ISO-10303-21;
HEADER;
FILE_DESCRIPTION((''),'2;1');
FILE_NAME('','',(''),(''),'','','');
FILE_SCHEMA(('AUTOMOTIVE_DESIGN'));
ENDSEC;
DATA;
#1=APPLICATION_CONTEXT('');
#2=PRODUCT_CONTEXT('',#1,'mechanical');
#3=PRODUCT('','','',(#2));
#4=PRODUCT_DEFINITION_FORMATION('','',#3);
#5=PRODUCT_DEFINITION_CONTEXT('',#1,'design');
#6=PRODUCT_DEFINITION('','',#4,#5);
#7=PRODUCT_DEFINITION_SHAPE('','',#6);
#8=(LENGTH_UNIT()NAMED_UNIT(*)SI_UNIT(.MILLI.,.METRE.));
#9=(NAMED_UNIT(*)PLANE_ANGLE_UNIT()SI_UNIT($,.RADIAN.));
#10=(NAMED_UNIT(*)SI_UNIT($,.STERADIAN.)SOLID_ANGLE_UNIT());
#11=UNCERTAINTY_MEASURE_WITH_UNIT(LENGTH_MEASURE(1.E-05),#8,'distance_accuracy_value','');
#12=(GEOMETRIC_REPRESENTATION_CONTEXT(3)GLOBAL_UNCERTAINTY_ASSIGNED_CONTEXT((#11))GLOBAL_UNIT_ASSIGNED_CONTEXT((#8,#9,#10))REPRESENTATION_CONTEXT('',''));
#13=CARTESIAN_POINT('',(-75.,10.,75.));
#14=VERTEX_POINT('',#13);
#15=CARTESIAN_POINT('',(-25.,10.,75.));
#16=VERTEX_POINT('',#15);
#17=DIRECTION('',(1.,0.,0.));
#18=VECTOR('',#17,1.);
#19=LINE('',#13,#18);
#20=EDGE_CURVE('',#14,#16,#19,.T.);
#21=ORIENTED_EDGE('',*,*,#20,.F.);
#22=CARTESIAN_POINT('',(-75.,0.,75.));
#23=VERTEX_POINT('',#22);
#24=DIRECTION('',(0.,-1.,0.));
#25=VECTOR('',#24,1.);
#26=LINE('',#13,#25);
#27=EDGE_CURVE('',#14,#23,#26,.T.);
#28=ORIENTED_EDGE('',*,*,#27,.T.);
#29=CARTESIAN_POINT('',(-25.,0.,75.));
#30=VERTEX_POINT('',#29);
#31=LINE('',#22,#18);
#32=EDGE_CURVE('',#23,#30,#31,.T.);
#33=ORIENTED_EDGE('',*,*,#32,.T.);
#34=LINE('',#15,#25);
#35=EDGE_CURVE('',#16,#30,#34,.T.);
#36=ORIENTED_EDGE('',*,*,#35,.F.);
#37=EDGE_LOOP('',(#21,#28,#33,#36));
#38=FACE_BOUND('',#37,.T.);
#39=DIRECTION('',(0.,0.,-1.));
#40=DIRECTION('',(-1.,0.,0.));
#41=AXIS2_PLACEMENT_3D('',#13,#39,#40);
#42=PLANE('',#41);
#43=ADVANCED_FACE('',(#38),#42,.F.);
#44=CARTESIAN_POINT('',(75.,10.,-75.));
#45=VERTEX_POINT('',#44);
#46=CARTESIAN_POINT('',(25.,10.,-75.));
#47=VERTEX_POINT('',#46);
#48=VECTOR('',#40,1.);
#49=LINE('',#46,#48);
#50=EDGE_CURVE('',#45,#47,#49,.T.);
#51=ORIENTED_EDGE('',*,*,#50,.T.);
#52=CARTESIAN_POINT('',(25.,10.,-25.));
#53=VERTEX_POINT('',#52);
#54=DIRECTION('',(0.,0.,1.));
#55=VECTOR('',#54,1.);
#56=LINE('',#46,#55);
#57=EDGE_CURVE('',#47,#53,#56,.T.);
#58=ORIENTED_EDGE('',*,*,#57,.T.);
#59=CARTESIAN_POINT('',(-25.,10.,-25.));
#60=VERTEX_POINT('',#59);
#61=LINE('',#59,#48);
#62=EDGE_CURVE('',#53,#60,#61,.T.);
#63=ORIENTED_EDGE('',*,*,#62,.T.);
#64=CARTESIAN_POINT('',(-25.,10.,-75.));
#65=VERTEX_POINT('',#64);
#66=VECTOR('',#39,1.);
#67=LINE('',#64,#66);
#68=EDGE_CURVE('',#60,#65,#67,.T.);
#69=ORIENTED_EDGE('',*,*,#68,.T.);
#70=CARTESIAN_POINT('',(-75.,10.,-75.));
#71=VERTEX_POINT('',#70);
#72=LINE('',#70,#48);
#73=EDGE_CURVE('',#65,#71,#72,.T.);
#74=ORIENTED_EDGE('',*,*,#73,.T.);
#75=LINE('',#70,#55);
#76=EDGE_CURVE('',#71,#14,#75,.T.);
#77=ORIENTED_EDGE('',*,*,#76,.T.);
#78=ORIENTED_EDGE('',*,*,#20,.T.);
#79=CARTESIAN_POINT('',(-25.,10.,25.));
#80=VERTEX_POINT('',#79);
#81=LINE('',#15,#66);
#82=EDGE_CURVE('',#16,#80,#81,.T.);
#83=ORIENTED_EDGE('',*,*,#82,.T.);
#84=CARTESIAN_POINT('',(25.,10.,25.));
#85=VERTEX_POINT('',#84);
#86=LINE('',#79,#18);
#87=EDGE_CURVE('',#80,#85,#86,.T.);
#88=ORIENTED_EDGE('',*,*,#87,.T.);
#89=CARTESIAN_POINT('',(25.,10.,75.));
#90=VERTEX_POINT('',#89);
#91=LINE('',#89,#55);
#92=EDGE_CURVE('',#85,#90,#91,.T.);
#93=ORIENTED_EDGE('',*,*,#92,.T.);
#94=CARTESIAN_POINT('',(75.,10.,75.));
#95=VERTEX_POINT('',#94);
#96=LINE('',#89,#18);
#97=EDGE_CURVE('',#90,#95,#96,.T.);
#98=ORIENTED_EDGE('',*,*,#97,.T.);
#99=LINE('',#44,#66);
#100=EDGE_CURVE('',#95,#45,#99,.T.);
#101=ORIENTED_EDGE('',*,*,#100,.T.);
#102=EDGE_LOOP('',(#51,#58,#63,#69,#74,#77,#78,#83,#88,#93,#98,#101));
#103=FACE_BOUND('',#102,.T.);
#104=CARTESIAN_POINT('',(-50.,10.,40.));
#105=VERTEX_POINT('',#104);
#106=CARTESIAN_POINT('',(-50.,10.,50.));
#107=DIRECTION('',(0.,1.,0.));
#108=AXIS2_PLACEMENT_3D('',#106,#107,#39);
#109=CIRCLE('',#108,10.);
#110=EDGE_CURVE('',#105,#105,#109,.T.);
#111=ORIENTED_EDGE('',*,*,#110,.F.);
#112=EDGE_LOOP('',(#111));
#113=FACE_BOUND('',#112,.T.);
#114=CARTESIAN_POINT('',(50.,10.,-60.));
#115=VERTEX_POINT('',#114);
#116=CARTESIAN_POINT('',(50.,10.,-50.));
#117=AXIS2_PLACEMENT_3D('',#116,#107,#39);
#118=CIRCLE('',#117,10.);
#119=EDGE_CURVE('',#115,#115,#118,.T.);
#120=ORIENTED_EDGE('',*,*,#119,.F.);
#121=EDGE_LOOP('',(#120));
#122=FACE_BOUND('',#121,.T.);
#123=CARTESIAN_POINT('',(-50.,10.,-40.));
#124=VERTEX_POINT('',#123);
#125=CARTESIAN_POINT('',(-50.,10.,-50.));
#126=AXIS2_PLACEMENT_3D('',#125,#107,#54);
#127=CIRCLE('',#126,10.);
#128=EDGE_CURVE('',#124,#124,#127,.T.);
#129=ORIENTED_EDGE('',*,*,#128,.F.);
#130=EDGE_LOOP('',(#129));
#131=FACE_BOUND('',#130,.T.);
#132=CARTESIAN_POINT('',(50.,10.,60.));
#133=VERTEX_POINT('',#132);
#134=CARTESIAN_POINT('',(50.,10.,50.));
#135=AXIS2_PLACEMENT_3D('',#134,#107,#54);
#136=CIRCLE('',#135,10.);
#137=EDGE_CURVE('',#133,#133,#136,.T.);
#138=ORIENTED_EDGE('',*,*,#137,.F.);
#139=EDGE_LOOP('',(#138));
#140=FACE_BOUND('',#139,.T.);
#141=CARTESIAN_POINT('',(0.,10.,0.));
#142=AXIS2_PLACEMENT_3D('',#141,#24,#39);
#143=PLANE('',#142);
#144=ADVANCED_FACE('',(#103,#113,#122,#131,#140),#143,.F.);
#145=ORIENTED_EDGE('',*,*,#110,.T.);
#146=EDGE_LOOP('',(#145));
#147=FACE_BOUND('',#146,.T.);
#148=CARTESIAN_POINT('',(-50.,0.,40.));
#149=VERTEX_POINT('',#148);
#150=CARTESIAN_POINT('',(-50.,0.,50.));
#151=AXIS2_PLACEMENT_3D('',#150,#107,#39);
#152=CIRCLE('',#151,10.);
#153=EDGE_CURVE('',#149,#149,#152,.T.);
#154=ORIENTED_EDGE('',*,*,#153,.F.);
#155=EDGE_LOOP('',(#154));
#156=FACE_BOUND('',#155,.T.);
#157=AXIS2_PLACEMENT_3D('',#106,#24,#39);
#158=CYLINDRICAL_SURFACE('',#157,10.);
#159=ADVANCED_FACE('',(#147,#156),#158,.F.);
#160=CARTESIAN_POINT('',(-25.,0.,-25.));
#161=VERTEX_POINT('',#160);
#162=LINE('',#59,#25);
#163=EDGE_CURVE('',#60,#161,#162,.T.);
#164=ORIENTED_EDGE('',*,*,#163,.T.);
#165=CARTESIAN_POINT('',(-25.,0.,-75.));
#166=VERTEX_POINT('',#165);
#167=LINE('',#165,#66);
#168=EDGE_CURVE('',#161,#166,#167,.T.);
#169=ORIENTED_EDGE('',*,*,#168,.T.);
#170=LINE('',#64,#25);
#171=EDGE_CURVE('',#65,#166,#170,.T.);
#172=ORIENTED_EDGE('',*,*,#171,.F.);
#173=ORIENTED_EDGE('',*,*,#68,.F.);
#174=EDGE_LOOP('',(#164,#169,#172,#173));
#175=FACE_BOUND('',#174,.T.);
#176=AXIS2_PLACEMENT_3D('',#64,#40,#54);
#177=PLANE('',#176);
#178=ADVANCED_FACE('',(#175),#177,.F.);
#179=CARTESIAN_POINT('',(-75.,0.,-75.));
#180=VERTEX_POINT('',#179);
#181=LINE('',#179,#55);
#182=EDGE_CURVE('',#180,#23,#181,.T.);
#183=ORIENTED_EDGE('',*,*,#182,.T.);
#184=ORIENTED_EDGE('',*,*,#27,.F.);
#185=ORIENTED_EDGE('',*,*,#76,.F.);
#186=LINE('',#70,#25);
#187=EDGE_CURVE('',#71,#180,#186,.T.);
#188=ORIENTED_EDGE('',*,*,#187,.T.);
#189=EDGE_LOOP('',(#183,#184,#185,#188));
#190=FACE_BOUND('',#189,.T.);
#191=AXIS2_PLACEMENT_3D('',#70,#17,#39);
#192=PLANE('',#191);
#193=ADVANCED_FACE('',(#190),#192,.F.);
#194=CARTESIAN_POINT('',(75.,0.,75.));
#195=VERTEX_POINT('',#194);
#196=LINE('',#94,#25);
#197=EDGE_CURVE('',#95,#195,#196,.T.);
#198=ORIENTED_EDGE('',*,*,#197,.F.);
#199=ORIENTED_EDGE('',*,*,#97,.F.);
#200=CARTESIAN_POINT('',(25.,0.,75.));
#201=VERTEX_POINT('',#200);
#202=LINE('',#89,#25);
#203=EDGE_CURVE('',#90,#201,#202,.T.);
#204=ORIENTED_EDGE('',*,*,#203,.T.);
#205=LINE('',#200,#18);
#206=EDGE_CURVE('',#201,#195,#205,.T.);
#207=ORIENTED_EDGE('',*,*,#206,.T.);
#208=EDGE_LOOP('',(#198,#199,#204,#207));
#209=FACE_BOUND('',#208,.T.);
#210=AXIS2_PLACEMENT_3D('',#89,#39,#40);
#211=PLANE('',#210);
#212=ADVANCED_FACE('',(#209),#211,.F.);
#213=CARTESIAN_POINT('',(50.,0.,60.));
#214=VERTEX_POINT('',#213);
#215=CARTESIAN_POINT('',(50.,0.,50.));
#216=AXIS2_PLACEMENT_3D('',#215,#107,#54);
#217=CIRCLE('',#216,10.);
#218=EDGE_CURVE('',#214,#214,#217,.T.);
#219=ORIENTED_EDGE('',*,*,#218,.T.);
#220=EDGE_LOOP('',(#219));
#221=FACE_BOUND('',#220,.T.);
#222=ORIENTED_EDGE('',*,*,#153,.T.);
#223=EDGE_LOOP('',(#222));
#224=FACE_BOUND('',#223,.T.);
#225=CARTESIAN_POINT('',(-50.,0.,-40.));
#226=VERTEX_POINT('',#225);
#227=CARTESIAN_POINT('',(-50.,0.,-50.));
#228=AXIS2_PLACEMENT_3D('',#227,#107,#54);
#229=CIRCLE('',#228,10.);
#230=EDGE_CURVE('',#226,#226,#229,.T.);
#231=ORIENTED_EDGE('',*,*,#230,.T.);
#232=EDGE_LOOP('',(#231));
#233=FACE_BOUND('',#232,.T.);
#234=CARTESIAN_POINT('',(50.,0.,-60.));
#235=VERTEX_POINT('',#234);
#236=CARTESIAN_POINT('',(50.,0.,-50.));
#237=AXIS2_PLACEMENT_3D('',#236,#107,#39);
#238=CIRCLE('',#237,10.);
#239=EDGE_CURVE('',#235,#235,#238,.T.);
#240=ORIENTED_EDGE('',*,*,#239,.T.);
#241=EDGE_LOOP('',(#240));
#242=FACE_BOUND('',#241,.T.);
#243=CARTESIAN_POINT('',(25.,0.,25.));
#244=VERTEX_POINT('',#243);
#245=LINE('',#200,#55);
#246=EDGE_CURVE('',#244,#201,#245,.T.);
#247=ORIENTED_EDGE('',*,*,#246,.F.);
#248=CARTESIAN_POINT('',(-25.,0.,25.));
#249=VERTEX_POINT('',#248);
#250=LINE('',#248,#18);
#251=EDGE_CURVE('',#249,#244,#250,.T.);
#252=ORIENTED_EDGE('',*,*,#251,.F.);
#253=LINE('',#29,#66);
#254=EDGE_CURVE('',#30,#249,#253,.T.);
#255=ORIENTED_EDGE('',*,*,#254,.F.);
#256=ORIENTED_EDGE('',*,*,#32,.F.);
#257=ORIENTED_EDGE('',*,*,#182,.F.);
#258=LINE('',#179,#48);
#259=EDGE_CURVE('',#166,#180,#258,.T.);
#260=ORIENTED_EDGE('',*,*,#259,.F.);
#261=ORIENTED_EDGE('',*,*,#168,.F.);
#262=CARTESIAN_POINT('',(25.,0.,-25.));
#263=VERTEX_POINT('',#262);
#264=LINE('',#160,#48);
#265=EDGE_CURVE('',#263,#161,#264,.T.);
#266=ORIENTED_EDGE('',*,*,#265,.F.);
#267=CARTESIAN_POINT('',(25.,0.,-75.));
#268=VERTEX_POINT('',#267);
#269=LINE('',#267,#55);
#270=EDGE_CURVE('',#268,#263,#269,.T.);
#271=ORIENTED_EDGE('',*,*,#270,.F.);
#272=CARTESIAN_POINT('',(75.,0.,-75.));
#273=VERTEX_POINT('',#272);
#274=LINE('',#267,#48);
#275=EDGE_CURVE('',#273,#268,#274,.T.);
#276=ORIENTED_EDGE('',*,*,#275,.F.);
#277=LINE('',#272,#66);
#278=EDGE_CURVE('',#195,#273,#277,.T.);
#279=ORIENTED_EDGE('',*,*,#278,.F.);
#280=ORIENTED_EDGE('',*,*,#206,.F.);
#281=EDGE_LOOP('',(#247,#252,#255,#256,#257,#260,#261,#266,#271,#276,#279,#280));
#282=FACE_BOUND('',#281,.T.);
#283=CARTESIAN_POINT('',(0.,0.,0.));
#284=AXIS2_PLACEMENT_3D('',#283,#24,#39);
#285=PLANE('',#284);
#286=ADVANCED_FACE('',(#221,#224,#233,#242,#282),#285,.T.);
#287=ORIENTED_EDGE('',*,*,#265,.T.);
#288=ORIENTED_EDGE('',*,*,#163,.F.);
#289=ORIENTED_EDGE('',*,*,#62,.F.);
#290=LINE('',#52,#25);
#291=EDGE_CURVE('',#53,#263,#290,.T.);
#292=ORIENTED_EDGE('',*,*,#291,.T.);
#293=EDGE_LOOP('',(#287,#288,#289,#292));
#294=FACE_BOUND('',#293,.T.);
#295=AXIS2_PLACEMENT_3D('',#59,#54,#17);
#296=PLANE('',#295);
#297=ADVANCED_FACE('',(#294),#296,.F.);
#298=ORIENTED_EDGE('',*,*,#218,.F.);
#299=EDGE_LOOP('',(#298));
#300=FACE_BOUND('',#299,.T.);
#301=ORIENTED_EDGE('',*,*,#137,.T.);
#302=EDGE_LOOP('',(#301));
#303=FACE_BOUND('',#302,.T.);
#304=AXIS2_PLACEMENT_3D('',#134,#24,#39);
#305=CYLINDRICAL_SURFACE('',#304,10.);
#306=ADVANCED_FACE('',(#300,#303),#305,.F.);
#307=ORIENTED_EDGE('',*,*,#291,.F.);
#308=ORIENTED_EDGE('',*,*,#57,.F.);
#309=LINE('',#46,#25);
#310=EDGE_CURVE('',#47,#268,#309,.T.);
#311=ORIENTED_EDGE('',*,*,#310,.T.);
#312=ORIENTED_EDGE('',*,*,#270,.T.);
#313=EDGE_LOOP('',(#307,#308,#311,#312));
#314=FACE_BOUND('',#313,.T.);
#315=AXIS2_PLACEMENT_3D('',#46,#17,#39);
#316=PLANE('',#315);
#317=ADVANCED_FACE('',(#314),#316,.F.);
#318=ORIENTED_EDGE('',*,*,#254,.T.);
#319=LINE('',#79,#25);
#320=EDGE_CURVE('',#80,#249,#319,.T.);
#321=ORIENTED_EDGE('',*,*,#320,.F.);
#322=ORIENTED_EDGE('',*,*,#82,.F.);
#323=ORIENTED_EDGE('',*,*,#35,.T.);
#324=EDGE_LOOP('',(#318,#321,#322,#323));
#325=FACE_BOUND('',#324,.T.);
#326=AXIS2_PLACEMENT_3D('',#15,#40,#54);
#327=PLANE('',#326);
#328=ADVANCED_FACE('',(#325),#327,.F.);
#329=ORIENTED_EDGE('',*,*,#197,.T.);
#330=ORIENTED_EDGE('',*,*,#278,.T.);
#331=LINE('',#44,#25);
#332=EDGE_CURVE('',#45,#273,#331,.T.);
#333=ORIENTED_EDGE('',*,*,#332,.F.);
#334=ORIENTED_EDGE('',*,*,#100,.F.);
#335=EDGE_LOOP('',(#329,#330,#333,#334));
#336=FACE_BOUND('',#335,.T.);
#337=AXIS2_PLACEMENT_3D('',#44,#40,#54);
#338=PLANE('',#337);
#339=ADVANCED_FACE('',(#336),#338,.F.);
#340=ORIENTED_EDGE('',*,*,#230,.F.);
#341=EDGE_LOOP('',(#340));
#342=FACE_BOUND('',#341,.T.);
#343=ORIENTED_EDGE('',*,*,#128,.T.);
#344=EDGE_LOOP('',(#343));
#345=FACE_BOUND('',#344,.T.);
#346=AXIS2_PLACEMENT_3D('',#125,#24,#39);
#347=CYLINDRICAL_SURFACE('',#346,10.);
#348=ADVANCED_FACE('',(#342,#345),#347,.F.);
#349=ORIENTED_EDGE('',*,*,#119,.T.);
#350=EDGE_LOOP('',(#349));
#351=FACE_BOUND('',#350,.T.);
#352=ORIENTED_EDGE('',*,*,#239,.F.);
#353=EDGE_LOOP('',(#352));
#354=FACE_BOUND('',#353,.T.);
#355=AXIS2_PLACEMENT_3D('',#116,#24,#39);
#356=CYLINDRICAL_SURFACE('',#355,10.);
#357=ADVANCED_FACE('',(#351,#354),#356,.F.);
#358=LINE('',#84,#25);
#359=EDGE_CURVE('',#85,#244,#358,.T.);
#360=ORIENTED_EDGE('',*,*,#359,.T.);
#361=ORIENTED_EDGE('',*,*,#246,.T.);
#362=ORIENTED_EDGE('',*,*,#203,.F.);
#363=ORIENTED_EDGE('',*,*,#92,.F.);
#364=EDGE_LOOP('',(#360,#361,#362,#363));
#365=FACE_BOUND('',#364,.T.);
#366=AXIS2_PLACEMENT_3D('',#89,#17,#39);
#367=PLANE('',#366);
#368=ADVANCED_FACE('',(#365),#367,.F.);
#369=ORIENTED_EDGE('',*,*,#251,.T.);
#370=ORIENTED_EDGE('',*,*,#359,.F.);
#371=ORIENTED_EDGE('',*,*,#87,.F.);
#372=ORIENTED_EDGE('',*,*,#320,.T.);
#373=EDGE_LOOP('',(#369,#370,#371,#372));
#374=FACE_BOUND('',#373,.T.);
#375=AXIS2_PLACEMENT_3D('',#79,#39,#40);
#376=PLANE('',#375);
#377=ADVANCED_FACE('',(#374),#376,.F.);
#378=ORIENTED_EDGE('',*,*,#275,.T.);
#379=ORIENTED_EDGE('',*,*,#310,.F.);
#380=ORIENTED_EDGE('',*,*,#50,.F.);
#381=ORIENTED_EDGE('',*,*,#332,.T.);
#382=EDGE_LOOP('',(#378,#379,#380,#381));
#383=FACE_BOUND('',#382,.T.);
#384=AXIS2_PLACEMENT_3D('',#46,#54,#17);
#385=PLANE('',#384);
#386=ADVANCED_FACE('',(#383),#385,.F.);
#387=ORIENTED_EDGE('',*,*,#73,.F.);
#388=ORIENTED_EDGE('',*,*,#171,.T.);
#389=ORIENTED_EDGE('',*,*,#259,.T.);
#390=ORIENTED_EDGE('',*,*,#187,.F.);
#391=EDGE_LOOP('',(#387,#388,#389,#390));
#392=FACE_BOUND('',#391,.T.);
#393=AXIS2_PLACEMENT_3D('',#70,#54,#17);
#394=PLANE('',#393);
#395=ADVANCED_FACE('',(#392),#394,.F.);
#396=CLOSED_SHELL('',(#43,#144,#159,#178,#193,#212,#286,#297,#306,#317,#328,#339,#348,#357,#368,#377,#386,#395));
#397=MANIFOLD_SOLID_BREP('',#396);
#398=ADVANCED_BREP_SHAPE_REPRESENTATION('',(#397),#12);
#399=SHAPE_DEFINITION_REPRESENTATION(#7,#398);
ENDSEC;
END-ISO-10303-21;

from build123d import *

# Parameters (mm, degrees)
SKETCH1_R           = 10
BOSS_EXTRUDE1_DEPTH = 10


with BuildPart() as part:
    # Sketch1 → Boss-Extrude1 (new body)
    with BuildSketch(Plane(origin=(0, 0, 0), x_dir=(1, 0, 0), z_dir=(0, 1, 0))):
        Polygon((25, 75), (75, 75), (75, -75), (25, -75), (25, -25), (-25, -25), (-25, -75), (-75, -75), (-75, 75), (-25, 75), (-25, 25), (25, 25), align=None)
        with Locations(Location((-50, 50, 0), (0, 0, 270))):
            Circle(SKETCH1_R, mode=Mode.SUBTRACT)
        with Locations(Location((50, 50, 0), (0, 0, 90))):
            Circle(SKETCH1_R, mode=Mode.SUBTRACT)
        with Locations(Location((50, -50, 0), (0, 0, 270))):
            Circle(SKETCH1_R, mode=Mode.SUBTRACT)
        with Locations(Location((-50, -50, 0), (0, 0, 90))):
            Circle(SKETCH1_R, mode=Mode.SUBTRACT)
    extrude(amount=BOSS_EXTRUDE1_DEPTH)


solid = part.part
